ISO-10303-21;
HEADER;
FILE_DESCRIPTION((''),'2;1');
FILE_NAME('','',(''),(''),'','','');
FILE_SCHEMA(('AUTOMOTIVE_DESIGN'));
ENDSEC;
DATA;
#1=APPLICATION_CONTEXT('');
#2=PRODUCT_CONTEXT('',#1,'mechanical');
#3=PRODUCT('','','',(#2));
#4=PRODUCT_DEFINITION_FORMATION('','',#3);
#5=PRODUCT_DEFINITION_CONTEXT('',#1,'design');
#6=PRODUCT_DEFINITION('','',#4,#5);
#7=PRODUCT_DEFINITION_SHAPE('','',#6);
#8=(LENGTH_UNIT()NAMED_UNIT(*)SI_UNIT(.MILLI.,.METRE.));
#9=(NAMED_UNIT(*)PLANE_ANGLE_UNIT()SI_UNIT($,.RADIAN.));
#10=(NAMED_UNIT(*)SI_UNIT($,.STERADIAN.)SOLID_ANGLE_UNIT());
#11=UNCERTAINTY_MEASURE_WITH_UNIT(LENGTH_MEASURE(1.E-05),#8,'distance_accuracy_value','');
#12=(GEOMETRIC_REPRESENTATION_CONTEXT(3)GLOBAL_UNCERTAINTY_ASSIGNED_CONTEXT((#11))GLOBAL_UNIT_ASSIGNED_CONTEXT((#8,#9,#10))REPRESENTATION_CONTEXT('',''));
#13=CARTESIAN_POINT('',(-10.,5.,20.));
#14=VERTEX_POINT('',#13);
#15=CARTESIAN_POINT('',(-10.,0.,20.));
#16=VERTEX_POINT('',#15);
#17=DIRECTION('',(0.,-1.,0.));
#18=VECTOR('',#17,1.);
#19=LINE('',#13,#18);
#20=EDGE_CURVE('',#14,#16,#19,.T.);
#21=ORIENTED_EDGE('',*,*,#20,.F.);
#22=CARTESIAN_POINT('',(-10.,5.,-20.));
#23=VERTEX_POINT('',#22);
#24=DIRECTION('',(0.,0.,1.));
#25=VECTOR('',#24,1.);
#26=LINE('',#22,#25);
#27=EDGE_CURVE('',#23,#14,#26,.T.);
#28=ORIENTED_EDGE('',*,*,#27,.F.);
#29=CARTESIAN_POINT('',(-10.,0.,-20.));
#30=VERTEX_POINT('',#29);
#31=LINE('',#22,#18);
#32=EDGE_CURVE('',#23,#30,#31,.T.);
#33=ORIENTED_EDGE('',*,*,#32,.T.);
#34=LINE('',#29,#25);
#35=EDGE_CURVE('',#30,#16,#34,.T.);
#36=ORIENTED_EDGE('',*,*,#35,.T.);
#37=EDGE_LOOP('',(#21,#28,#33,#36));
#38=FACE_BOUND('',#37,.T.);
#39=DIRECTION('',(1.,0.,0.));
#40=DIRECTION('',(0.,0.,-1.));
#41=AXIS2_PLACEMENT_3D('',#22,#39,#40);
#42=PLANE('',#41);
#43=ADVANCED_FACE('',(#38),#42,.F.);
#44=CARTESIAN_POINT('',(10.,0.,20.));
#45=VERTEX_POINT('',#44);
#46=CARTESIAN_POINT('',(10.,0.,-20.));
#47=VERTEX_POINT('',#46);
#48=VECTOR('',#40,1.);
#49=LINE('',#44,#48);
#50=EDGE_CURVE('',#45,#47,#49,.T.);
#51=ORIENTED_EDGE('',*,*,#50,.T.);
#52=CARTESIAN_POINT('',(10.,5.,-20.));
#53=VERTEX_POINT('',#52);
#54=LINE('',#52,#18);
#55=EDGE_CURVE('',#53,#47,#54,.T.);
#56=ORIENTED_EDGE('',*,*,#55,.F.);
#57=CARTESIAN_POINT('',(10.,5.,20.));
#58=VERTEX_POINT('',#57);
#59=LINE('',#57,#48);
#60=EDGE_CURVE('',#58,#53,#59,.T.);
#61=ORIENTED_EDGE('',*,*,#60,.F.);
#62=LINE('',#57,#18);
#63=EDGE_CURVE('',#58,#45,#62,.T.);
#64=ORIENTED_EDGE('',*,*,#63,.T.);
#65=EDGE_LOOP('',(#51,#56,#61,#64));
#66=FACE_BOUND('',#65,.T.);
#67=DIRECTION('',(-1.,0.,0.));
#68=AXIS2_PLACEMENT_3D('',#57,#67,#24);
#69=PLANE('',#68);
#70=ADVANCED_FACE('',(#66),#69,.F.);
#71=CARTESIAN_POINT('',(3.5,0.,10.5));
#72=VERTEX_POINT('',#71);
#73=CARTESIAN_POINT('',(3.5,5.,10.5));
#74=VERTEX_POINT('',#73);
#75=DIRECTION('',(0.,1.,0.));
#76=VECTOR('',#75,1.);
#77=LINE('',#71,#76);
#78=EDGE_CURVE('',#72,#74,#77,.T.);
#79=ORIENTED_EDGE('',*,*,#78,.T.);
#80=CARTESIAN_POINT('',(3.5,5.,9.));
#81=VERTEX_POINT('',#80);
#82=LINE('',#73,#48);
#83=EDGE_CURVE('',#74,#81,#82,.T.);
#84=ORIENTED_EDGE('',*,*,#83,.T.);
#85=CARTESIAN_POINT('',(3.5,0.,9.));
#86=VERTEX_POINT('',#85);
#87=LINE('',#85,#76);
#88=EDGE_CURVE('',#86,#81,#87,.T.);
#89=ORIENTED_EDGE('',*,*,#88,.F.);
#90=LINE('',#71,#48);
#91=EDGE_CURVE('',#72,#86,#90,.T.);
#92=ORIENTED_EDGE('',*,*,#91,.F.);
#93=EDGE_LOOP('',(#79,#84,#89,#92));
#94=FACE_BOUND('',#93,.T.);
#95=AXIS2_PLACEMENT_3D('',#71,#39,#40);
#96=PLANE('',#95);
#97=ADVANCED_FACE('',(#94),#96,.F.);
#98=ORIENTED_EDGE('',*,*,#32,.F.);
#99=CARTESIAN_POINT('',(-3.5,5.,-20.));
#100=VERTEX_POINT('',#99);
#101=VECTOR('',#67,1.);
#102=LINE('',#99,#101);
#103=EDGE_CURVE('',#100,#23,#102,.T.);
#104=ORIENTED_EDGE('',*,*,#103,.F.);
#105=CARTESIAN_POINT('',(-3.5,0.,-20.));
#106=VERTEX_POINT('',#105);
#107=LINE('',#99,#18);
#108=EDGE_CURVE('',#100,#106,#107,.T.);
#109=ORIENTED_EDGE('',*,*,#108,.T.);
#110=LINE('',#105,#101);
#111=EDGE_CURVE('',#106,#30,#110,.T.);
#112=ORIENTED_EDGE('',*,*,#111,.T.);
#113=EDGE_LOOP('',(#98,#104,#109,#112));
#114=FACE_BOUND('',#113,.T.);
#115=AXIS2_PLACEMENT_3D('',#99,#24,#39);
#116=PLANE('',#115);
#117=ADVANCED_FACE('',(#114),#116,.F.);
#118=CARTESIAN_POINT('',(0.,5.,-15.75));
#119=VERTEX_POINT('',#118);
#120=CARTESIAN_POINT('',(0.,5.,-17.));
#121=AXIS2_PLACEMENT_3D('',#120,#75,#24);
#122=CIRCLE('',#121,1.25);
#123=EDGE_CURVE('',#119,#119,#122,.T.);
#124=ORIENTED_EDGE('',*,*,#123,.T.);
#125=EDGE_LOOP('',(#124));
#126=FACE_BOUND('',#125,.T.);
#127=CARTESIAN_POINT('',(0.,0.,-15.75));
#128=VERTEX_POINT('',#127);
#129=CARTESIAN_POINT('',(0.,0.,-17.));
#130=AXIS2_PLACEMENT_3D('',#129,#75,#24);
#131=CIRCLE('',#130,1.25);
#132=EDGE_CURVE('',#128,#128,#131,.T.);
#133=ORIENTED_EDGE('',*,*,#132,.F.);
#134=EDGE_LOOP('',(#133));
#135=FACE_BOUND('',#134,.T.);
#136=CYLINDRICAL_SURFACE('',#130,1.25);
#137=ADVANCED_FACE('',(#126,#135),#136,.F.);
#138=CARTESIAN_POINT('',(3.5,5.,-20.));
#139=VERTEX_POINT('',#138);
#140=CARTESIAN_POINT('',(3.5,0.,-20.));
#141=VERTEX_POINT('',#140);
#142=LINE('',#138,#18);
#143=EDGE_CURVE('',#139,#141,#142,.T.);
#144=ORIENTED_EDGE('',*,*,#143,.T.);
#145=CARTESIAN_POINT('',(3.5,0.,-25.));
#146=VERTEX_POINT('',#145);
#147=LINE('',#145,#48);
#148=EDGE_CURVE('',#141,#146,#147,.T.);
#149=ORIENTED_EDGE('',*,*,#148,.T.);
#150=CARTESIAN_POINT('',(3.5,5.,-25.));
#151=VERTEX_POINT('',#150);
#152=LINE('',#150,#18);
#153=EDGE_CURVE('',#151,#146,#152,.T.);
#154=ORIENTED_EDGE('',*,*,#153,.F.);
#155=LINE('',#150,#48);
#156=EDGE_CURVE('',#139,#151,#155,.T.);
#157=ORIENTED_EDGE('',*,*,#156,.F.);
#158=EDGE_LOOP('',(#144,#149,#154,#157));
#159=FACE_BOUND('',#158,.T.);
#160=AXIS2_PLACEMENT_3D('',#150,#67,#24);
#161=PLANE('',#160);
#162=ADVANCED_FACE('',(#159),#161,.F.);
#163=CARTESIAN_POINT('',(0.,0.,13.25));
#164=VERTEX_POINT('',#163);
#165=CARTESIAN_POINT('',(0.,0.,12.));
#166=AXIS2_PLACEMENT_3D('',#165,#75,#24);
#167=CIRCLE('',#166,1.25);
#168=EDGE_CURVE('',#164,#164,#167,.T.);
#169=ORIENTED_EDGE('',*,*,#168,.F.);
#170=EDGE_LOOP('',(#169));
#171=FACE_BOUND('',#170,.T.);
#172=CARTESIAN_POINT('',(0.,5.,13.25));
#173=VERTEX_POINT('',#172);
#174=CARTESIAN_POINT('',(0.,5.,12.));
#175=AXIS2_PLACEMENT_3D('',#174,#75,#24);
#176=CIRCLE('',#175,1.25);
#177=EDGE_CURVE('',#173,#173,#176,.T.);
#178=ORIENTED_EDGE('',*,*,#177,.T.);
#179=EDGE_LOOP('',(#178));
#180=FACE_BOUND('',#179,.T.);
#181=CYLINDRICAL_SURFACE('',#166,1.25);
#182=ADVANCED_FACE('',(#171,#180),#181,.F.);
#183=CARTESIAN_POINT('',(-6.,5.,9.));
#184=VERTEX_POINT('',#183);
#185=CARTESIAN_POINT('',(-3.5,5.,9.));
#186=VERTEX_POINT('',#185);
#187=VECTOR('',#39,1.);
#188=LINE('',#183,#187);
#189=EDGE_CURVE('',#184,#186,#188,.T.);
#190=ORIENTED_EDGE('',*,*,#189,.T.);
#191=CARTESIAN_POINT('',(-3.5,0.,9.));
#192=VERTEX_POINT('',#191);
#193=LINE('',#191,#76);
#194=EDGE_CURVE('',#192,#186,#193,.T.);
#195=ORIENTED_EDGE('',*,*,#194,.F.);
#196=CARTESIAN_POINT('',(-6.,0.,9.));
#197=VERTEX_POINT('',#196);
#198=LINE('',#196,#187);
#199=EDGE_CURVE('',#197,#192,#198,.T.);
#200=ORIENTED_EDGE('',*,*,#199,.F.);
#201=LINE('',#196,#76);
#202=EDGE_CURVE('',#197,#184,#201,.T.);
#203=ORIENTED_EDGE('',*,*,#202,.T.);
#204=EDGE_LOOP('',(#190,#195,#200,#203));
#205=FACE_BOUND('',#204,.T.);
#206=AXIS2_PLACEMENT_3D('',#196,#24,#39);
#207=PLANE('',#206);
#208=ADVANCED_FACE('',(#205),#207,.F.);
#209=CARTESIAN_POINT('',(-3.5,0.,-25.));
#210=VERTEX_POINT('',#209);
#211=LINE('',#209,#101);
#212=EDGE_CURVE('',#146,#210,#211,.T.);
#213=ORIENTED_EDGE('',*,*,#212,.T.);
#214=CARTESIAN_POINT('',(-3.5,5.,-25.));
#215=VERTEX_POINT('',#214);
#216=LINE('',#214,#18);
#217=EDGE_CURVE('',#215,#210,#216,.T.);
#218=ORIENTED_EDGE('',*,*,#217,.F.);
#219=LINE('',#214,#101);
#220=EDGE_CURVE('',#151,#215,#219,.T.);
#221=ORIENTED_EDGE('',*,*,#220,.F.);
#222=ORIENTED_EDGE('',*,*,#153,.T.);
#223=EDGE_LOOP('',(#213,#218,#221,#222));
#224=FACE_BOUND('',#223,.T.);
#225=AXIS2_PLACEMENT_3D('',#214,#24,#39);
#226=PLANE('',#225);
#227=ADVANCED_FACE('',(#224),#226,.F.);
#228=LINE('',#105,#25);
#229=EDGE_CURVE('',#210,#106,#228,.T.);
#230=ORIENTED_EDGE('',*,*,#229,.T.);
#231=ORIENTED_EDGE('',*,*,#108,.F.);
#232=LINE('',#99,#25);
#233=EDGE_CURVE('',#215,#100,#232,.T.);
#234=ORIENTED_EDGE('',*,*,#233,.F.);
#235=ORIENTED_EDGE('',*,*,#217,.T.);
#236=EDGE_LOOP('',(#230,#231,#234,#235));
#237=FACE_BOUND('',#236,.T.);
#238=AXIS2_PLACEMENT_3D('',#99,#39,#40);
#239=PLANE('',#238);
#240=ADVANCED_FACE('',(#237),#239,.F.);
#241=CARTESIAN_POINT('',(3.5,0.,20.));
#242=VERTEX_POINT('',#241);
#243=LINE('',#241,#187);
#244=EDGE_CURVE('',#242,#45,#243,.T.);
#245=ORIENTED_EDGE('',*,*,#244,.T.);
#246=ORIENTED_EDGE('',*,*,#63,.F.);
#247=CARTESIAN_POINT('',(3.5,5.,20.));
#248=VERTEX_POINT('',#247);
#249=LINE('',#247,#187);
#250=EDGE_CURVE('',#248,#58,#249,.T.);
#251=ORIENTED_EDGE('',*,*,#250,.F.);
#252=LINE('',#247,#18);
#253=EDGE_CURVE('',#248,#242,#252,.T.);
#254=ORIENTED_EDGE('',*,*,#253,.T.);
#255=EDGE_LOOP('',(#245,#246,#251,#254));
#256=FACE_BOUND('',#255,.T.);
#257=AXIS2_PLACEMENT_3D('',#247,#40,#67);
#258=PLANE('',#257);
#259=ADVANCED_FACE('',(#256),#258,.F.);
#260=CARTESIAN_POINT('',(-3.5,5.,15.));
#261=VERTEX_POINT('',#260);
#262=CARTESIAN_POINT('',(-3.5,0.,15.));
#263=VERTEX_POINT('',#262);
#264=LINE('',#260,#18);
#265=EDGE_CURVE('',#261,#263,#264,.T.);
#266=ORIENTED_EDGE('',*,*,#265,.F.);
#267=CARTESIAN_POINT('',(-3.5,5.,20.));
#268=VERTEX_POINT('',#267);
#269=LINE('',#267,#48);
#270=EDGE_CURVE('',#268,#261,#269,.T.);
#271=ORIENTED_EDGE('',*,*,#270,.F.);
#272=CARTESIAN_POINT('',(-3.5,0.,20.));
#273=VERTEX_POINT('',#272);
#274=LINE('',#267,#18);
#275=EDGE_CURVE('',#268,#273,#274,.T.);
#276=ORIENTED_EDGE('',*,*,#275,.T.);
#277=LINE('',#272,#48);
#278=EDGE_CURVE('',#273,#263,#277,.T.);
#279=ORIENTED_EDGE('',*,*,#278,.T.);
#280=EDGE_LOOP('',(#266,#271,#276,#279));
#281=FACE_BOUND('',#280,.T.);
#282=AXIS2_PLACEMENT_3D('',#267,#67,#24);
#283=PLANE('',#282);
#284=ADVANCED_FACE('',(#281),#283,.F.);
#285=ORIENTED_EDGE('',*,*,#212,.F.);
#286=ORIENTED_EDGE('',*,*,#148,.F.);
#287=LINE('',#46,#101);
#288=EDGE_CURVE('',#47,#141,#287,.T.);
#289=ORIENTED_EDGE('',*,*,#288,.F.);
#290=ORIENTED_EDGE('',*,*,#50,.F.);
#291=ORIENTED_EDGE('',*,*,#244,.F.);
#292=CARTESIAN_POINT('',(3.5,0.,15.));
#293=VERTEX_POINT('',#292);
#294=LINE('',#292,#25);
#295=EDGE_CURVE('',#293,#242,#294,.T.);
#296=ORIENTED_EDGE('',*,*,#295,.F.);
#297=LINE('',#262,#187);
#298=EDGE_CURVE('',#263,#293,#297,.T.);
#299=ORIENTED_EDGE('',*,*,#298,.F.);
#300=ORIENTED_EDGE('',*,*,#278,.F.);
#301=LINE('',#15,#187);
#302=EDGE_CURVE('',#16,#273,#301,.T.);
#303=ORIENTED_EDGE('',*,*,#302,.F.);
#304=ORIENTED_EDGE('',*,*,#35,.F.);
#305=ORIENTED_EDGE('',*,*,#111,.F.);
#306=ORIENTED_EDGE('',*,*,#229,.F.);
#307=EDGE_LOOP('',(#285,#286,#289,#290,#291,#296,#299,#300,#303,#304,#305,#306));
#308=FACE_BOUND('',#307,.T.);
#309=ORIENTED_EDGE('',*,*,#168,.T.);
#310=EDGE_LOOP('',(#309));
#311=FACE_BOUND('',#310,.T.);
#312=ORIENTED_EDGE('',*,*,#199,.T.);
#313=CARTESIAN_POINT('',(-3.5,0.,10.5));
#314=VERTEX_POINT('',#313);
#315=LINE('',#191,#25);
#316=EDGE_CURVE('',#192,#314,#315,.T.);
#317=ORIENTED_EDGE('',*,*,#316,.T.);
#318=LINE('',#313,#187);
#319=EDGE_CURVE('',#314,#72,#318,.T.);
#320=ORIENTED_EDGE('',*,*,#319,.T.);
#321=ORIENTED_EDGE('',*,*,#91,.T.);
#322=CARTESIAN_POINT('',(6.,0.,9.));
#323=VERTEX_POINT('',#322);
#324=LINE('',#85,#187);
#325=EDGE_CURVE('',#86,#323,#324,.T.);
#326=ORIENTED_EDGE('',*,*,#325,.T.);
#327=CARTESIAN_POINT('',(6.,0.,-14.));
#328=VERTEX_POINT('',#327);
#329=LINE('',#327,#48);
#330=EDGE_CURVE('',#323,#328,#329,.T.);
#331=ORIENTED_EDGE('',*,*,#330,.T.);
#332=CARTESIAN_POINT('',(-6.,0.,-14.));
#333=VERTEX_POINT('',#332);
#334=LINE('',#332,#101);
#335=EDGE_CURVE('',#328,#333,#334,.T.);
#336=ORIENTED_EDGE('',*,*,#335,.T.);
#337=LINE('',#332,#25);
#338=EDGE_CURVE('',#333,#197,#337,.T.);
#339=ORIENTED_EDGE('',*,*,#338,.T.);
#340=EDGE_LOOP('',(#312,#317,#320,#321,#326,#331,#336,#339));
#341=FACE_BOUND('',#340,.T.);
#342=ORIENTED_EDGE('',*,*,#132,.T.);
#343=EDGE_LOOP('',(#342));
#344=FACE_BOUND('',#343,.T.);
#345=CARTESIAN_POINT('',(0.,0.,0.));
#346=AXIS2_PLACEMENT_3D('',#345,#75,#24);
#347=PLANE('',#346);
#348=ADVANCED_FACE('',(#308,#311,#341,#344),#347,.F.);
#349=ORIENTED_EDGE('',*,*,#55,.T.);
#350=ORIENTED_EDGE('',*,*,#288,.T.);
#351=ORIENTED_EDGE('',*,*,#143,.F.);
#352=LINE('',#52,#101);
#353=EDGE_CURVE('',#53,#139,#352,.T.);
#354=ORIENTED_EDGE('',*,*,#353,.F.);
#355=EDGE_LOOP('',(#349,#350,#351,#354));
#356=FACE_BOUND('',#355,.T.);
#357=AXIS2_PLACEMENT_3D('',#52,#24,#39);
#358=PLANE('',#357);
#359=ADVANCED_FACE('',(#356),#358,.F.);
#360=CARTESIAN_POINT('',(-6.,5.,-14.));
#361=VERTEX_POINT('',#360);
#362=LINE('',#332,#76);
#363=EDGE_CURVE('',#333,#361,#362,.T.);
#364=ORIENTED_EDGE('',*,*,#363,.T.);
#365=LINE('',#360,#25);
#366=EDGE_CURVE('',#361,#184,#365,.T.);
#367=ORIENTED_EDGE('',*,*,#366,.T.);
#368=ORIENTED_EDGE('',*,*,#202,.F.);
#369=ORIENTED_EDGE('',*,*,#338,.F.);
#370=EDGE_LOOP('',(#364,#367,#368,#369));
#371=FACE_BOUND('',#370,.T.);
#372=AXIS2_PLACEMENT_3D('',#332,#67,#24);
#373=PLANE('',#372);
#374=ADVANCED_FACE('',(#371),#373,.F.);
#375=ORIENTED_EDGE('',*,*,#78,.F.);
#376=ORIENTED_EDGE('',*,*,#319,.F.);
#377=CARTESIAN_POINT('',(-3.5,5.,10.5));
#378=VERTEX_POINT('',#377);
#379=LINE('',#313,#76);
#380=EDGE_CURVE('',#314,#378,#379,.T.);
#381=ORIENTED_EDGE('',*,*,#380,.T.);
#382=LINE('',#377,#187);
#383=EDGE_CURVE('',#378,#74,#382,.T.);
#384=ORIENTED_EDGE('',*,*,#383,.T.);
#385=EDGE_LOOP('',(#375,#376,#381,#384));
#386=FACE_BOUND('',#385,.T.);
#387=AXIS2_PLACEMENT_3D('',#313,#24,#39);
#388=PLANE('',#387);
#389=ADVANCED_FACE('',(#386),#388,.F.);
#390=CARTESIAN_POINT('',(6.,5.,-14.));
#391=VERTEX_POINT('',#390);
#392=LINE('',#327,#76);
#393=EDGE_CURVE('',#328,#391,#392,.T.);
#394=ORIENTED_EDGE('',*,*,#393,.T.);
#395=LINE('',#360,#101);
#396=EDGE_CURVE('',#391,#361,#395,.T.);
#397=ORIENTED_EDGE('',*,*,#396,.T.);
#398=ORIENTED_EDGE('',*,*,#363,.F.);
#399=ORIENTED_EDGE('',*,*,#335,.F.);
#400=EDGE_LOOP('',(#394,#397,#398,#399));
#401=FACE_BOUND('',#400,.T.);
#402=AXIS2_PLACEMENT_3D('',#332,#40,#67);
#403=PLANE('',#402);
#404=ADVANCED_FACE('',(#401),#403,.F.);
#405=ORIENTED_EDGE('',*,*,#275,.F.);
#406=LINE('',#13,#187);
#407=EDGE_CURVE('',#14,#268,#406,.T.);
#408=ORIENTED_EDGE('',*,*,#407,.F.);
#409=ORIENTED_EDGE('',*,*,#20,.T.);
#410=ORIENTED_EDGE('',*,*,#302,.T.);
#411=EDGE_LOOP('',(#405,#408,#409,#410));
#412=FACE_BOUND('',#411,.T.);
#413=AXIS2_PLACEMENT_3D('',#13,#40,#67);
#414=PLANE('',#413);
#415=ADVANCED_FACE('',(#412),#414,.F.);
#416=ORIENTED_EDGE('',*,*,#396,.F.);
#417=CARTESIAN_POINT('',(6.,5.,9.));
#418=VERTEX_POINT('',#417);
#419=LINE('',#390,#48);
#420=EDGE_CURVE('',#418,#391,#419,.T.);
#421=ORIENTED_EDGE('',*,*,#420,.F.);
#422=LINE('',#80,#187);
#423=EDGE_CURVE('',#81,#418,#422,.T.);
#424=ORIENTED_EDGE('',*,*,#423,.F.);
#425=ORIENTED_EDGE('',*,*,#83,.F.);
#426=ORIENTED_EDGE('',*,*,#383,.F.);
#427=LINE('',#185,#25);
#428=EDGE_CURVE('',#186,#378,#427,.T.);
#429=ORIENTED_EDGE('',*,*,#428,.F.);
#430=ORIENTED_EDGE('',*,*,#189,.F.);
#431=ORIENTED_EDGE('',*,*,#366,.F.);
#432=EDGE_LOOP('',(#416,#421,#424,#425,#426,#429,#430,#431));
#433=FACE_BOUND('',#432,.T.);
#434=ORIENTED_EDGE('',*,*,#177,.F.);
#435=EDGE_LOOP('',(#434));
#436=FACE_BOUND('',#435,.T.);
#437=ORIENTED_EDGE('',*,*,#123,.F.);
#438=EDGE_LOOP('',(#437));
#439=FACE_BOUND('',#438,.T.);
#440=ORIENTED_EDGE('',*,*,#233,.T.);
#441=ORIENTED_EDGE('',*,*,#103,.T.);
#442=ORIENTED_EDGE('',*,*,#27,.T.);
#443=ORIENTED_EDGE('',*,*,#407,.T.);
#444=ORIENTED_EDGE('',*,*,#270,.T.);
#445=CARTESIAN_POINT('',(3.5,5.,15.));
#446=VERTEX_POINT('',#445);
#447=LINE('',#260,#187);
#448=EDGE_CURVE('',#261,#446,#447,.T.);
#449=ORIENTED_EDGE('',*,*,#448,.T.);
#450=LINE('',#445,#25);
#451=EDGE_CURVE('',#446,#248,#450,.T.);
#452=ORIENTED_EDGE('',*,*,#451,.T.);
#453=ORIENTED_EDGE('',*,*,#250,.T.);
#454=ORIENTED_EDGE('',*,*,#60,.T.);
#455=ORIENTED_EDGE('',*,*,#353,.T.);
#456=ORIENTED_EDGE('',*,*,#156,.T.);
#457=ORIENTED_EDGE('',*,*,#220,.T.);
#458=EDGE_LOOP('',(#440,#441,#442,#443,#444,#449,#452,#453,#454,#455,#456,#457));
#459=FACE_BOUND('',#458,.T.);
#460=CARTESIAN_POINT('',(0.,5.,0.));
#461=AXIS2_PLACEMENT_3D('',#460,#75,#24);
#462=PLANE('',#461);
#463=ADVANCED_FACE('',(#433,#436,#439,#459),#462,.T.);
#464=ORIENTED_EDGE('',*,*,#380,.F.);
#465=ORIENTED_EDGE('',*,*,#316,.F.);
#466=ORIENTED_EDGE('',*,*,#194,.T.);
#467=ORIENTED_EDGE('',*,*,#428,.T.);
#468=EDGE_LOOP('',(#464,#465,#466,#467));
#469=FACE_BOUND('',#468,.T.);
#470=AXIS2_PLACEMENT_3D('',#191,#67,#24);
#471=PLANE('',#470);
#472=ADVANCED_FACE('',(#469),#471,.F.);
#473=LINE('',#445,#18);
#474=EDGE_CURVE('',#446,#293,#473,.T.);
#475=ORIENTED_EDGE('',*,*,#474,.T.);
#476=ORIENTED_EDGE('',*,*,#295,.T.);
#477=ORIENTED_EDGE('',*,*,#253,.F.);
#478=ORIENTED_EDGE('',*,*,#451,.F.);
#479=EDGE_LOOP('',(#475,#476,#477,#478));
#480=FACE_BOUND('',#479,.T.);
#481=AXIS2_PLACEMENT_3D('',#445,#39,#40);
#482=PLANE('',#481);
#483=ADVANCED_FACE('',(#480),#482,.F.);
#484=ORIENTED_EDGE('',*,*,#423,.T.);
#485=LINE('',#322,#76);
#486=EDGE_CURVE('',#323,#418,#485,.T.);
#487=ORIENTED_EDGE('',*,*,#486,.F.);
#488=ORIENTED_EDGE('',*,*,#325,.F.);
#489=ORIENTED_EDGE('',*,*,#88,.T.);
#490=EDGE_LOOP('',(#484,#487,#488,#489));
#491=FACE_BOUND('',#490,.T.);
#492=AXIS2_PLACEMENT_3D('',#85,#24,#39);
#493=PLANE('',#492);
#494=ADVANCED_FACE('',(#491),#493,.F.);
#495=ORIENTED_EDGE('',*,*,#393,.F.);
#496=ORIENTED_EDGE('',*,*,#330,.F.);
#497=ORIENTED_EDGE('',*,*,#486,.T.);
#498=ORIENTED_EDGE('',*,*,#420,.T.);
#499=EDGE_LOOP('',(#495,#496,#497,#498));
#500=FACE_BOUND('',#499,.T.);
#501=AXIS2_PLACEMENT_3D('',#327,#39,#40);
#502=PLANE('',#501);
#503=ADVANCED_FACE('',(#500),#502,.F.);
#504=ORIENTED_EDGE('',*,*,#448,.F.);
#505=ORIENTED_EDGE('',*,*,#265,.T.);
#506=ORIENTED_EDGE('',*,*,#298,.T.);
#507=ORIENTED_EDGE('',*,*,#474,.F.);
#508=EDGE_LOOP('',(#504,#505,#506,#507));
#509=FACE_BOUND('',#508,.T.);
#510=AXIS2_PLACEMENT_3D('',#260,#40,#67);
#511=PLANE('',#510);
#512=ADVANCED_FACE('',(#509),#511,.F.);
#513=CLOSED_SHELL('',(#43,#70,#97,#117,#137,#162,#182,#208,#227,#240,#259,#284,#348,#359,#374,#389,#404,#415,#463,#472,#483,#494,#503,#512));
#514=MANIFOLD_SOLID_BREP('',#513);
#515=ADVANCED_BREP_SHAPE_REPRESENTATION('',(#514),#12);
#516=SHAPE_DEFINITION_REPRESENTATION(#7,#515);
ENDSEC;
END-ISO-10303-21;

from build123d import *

# Parameters (mm, degrees)
BOSS_EXTRUDE1_DEPTH = 5
SKETCH2_R           = 1.25
CUT_EXTRUDE1_DEPTH  = 5


with BuildPart() as part:
    # Sketch1 → Boss-Extrude1 (new body)
    with BuildSketch(Plane(origin=(0, 0, 0), x_dir=(1, 0, 0), z_dir=(0, 1, 0))):
        Polygon((-10, 20), (-10, -20), (-3.5, -20), (-3.5, -15), (3.5, -15), (3.5, -20), (10, -20), (10, 20), (3.5, 20), (3.5, 25), (-3.5, 25), (-3.5, 20), align=None)
    extrude(amount=BOSS_EXTRUDE1_DEPTH)

    # Sketch2 → Cut-Extrude1 (cut)
    with BuildSketch(Plane(origin=(0, 5, 0), x_dir=(1, 0, 0), z_dir=(0, 1, 0))):
        with Locations(Location((0, 17, 0), (0, 0, 270))):
            Circle(SKETCH2_R)
        with Locations(Location((0, -12, 0), (0, 0, 270))):
            Circle(SKETCH2_R)
        Polygon((-6, 14), (6, 14), (6, -9), (3.5, -9), (3.5, -10.5), (-3.5, -10.5), (-3.5, -9), (-6, -9), align=None)
    extrude(amount=-CUT_EXTRUDE1_DEPTH, mode=Mode.SUBTRACT)


solid = part.part
